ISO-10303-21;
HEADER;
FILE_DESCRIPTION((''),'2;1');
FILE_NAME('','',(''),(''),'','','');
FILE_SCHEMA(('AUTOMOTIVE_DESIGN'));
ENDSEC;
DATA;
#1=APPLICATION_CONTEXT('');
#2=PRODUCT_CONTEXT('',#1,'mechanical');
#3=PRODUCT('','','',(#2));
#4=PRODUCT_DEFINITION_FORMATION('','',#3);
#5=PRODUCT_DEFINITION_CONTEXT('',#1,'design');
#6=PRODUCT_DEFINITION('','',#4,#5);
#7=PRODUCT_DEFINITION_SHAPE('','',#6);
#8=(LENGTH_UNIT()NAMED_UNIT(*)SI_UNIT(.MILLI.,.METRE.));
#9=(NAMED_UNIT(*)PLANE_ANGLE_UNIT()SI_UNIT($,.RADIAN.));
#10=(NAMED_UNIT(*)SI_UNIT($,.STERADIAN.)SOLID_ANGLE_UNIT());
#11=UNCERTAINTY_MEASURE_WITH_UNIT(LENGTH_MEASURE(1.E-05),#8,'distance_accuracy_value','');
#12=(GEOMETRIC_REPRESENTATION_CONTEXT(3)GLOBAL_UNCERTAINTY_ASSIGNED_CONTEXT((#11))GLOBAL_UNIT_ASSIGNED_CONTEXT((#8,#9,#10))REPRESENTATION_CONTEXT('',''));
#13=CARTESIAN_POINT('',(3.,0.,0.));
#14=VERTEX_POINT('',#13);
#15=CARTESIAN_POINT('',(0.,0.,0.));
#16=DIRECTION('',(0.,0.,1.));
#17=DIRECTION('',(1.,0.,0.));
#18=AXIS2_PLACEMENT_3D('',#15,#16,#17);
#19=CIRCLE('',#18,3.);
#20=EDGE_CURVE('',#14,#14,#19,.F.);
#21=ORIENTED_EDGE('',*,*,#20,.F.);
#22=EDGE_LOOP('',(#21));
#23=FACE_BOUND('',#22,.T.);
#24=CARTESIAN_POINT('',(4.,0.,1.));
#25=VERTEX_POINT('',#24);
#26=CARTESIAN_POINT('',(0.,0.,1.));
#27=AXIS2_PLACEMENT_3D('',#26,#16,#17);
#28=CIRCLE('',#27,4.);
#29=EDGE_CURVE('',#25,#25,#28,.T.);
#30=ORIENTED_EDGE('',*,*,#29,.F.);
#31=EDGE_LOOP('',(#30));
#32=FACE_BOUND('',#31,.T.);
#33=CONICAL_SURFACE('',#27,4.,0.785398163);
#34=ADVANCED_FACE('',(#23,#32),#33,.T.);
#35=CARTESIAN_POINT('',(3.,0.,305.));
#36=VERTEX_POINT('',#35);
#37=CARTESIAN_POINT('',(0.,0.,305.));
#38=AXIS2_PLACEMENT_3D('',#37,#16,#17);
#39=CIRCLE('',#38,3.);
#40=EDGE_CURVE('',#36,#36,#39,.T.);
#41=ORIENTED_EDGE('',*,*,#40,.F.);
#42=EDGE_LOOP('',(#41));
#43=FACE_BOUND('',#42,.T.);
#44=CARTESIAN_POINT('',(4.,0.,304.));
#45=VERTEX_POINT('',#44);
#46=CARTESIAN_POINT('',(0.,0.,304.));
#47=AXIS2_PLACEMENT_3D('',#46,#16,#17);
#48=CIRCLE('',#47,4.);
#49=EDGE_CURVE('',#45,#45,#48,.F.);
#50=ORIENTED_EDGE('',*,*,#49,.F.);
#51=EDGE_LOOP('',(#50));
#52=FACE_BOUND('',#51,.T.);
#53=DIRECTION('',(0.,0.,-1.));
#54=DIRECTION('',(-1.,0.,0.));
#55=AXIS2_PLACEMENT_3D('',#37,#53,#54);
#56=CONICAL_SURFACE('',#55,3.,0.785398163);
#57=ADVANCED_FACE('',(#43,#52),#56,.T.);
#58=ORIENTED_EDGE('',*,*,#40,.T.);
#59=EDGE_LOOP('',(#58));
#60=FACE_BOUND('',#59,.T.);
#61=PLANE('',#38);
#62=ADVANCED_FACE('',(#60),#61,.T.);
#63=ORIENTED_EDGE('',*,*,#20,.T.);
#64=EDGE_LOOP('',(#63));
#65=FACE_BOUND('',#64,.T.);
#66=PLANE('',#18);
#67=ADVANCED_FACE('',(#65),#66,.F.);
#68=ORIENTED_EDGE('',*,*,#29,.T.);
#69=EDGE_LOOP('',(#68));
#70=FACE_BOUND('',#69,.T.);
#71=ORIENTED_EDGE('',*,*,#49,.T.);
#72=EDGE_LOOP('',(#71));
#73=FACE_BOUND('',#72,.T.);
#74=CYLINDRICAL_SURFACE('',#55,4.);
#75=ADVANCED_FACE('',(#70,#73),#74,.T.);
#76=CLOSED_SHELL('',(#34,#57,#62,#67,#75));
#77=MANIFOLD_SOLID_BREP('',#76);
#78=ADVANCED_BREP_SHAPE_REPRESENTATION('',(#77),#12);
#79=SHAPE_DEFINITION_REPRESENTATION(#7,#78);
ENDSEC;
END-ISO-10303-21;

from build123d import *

# Parameters (mm, degrees)
SKETCH1_R           = 4
BOSS_EXTRUDE1_DEPTH = 305
CHAMFER2_SIZE       = 1
CHAMFER3_SIZE       = 1


with BuildPart() as part:
    # Sketch1 → Boss-Extrude1 (new body)
    with BuildSketch(Plane.XY):
        Circle(SKETCH1_R)
    extrude(amount=BOSS_EXTRUDE1_DEPTH)

    # Chamfer2
    chamfer2_edges = [part.edges().sort_by_distance(p)[0] for p in [
        (-4, 0, 0),
    ]]
    chamfer(chamfer2_edges, length=CHAMFER2_SIZE)

    # Chamfer3
    chamfer3_edges = [part.edges().sort_by_distance(p)[0] for p in [
        (-4, 0, 305),
    ]]
    chamfer(chamfer3_edges, length=CHAMFER3_SIZE)


solid = part.part
